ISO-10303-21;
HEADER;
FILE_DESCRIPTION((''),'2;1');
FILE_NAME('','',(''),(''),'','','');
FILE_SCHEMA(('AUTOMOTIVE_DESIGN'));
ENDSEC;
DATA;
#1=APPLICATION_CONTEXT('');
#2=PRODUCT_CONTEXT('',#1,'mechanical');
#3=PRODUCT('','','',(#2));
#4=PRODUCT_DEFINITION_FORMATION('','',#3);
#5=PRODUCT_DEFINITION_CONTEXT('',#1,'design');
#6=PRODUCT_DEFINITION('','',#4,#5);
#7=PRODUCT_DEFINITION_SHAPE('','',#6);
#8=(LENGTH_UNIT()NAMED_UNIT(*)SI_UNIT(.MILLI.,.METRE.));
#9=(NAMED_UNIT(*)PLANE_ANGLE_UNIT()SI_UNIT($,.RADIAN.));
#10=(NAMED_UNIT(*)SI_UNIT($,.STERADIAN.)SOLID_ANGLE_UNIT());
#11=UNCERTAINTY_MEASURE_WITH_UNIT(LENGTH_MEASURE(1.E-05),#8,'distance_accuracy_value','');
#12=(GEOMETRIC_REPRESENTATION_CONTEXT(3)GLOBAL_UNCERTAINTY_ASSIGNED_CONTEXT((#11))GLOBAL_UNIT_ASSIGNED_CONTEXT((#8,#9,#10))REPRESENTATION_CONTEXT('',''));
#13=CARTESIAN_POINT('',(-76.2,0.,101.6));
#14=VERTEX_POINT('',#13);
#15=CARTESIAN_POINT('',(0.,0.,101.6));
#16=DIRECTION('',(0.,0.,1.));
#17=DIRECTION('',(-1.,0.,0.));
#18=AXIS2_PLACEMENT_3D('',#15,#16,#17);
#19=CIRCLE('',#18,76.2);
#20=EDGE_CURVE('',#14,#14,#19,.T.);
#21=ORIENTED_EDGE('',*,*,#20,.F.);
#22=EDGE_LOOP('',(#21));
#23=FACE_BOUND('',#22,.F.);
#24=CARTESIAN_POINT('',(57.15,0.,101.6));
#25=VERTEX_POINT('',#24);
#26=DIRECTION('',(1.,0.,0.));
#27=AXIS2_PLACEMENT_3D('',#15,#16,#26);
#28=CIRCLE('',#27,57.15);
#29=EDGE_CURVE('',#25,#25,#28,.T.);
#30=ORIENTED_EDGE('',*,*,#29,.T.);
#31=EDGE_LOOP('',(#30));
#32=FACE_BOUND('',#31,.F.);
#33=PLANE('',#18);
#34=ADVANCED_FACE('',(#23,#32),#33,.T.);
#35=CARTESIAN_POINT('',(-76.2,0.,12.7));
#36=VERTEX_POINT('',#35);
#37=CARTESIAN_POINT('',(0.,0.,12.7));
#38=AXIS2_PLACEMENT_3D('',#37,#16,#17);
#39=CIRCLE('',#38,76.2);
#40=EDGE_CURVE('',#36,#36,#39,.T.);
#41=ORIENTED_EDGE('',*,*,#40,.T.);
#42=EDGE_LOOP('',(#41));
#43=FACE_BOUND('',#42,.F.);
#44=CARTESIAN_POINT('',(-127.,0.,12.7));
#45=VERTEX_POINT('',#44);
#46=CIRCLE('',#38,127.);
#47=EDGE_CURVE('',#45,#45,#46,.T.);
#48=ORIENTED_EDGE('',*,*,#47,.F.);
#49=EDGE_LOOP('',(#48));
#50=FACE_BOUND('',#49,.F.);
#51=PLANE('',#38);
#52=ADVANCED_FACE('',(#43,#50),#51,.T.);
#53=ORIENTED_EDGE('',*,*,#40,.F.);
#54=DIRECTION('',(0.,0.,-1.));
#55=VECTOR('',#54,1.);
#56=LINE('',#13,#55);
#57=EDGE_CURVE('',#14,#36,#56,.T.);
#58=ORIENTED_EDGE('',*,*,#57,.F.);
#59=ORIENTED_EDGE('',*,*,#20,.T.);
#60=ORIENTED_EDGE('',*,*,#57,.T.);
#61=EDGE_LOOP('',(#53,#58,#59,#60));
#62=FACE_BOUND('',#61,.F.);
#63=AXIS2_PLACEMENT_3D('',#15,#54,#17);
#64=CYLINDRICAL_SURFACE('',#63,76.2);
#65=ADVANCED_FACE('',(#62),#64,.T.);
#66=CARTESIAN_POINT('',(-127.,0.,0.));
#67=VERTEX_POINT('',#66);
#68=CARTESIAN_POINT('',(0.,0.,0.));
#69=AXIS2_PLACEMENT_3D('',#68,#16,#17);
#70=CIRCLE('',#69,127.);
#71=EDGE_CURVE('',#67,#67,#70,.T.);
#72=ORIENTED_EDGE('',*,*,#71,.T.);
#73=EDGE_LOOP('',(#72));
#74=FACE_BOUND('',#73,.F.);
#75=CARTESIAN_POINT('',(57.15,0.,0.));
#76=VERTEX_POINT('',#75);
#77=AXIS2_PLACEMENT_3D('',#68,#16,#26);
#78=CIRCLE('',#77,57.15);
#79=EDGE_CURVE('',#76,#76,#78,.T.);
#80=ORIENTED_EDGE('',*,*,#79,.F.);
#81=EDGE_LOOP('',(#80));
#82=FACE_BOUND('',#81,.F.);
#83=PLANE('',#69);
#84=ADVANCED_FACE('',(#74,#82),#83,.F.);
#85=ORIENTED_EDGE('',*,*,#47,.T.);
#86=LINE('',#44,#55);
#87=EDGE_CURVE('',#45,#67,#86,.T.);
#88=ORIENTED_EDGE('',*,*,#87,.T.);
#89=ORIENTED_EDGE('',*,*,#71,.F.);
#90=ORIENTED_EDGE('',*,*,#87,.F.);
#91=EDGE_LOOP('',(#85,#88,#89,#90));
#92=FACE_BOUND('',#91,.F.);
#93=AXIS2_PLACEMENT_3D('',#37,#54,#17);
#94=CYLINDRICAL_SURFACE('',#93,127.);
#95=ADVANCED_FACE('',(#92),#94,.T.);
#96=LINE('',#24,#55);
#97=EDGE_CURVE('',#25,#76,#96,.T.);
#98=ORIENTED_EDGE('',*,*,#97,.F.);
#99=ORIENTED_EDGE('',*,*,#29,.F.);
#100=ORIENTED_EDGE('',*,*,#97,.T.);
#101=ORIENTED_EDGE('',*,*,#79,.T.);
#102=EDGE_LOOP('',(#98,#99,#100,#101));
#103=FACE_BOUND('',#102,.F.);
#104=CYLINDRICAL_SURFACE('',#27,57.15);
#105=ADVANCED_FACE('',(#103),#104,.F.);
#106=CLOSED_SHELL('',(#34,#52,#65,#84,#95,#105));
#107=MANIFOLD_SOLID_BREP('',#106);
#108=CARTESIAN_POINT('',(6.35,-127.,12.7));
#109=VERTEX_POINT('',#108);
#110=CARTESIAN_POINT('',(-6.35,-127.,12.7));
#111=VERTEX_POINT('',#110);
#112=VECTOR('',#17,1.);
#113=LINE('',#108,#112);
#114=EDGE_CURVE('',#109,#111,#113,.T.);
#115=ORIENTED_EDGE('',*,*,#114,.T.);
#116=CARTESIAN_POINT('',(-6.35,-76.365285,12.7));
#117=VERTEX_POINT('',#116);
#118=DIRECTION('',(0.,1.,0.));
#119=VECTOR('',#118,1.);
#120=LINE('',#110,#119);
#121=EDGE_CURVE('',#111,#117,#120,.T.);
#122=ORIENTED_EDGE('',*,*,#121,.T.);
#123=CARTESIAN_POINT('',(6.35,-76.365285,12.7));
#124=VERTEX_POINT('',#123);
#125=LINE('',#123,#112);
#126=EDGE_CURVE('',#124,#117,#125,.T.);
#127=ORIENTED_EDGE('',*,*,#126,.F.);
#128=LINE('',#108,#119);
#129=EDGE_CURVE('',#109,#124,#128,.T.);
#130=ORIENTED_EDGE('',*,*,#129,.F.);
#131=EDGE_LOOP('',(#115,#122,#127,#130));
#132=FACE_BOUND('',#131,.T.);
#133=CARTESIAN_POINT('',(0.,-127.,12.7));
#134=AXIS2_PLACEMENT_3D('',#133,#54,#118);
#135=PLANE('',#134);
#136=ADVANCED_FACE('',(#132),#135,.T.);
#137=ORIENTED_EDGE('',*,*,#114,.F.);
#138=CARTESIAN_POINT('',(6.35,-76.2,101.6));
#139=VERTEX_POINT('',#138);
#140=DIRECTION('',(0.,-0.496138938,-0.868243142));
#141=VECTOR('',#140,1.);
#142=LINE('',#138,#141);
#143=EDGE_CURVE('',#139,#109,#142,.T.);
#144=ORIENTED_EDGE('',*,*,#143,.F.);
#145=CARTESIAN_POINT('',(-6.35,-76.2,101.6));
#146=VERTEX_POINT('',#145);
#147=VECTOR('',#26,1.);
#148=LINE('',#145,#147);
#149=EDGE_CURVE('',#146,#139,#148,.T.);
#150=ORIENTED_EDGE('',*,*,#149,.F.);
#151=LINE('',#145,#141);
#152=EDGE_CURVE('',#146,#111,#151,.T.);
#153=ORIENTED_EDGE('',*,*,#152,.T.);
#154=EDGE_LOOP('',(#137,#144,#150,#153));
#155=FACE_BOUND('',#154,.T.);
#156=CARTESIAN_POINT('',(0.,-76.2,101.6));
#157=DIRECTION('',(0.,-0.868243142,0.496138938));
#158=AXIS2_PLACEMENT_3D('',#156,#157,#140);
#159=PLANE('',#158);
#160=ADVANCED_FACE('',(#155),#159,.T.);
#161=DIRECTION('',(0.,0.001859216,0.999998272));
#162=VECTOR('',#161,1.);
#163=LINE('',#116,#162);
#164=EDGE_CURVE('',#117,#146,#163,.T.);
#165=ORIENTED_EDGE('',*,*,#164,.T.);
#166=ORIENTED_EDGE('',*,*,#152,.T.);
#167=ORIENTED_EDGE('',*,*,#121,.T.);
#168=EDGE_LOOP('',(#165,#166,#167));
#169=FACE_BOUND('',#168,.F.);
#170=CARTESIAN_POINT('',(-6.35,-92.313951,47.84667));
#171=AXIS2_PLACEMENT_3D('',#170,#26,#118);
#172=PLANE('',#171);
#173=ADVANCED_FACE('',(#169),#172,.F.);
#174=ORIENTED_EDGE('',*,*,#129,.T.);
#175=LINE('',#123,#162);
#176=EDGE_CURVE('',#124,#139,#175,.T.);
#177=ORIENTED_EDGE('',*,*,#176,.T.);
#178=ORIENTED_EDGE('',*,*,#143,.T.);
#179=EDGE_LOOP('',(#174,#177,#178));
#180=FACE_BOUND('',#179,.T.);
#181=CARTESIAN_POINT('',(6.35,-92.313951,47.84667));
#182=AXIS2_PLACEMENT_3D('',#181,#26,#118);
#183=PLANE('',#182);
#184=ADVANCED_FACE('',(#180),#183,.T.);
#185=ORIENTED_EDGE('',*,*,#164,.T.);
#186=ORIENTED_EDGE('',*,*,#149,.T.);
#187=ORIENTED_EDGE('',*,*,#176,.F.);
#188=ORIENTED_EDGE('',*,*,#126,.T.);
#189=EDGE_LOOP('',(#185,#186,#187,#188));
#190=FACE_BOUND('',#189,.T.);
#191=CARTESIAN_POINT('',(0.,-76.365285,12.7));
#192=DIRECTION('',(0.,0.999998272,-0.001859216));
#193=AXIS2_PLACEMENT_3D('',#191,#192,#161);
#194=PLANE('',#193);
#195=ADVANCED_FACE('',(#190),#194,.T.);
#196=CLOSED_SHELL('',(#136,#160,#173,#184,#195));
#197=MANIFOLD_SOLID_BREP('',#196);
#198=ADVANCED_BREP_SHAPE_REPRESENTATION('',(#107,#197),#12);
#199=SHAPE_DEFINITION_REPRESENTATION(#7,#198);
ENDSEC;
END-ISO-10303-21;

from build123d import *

# Parameters (mm, degrees)
F3_R     = 57.15
F4_DEPTH = 101.601
F6_DEPTH = 6.35


with BuildPart() as f2:
    # F0 (on Front) → F2 (revolve)
    with BuildSketch(Plane.XZ):
        Polygon((-127, 0), (0, 0), (0, 101.6), (-76.2, 101.6), (-76.2, 12.7), (-127, 12.7), align=None)
    revolve(axis=Axis((0, 0, 14.6887078881), (0, 0, 1)))

    # F3 (on face) → F4 (cut, through all)
    with BuildSketch(Plane.XY.offset(101.6)):
        Circle(F3_R)
    extrude(amount=-F4_DEPTH, mode=Mode.SUBTRACT)


with BuildPart() as f6:
    # F5 (on Right) → F6 (new body, symmetric)
    with BuildSketch(Plane.YZ):
        Polygon((-76.3652846217, 12.7), (-76.2, 101.6), (-127, 12.7), align=None)
    extrude(amount=F6_DEPTH, both=True)


solid = Compound([f2.part, f6.part])
